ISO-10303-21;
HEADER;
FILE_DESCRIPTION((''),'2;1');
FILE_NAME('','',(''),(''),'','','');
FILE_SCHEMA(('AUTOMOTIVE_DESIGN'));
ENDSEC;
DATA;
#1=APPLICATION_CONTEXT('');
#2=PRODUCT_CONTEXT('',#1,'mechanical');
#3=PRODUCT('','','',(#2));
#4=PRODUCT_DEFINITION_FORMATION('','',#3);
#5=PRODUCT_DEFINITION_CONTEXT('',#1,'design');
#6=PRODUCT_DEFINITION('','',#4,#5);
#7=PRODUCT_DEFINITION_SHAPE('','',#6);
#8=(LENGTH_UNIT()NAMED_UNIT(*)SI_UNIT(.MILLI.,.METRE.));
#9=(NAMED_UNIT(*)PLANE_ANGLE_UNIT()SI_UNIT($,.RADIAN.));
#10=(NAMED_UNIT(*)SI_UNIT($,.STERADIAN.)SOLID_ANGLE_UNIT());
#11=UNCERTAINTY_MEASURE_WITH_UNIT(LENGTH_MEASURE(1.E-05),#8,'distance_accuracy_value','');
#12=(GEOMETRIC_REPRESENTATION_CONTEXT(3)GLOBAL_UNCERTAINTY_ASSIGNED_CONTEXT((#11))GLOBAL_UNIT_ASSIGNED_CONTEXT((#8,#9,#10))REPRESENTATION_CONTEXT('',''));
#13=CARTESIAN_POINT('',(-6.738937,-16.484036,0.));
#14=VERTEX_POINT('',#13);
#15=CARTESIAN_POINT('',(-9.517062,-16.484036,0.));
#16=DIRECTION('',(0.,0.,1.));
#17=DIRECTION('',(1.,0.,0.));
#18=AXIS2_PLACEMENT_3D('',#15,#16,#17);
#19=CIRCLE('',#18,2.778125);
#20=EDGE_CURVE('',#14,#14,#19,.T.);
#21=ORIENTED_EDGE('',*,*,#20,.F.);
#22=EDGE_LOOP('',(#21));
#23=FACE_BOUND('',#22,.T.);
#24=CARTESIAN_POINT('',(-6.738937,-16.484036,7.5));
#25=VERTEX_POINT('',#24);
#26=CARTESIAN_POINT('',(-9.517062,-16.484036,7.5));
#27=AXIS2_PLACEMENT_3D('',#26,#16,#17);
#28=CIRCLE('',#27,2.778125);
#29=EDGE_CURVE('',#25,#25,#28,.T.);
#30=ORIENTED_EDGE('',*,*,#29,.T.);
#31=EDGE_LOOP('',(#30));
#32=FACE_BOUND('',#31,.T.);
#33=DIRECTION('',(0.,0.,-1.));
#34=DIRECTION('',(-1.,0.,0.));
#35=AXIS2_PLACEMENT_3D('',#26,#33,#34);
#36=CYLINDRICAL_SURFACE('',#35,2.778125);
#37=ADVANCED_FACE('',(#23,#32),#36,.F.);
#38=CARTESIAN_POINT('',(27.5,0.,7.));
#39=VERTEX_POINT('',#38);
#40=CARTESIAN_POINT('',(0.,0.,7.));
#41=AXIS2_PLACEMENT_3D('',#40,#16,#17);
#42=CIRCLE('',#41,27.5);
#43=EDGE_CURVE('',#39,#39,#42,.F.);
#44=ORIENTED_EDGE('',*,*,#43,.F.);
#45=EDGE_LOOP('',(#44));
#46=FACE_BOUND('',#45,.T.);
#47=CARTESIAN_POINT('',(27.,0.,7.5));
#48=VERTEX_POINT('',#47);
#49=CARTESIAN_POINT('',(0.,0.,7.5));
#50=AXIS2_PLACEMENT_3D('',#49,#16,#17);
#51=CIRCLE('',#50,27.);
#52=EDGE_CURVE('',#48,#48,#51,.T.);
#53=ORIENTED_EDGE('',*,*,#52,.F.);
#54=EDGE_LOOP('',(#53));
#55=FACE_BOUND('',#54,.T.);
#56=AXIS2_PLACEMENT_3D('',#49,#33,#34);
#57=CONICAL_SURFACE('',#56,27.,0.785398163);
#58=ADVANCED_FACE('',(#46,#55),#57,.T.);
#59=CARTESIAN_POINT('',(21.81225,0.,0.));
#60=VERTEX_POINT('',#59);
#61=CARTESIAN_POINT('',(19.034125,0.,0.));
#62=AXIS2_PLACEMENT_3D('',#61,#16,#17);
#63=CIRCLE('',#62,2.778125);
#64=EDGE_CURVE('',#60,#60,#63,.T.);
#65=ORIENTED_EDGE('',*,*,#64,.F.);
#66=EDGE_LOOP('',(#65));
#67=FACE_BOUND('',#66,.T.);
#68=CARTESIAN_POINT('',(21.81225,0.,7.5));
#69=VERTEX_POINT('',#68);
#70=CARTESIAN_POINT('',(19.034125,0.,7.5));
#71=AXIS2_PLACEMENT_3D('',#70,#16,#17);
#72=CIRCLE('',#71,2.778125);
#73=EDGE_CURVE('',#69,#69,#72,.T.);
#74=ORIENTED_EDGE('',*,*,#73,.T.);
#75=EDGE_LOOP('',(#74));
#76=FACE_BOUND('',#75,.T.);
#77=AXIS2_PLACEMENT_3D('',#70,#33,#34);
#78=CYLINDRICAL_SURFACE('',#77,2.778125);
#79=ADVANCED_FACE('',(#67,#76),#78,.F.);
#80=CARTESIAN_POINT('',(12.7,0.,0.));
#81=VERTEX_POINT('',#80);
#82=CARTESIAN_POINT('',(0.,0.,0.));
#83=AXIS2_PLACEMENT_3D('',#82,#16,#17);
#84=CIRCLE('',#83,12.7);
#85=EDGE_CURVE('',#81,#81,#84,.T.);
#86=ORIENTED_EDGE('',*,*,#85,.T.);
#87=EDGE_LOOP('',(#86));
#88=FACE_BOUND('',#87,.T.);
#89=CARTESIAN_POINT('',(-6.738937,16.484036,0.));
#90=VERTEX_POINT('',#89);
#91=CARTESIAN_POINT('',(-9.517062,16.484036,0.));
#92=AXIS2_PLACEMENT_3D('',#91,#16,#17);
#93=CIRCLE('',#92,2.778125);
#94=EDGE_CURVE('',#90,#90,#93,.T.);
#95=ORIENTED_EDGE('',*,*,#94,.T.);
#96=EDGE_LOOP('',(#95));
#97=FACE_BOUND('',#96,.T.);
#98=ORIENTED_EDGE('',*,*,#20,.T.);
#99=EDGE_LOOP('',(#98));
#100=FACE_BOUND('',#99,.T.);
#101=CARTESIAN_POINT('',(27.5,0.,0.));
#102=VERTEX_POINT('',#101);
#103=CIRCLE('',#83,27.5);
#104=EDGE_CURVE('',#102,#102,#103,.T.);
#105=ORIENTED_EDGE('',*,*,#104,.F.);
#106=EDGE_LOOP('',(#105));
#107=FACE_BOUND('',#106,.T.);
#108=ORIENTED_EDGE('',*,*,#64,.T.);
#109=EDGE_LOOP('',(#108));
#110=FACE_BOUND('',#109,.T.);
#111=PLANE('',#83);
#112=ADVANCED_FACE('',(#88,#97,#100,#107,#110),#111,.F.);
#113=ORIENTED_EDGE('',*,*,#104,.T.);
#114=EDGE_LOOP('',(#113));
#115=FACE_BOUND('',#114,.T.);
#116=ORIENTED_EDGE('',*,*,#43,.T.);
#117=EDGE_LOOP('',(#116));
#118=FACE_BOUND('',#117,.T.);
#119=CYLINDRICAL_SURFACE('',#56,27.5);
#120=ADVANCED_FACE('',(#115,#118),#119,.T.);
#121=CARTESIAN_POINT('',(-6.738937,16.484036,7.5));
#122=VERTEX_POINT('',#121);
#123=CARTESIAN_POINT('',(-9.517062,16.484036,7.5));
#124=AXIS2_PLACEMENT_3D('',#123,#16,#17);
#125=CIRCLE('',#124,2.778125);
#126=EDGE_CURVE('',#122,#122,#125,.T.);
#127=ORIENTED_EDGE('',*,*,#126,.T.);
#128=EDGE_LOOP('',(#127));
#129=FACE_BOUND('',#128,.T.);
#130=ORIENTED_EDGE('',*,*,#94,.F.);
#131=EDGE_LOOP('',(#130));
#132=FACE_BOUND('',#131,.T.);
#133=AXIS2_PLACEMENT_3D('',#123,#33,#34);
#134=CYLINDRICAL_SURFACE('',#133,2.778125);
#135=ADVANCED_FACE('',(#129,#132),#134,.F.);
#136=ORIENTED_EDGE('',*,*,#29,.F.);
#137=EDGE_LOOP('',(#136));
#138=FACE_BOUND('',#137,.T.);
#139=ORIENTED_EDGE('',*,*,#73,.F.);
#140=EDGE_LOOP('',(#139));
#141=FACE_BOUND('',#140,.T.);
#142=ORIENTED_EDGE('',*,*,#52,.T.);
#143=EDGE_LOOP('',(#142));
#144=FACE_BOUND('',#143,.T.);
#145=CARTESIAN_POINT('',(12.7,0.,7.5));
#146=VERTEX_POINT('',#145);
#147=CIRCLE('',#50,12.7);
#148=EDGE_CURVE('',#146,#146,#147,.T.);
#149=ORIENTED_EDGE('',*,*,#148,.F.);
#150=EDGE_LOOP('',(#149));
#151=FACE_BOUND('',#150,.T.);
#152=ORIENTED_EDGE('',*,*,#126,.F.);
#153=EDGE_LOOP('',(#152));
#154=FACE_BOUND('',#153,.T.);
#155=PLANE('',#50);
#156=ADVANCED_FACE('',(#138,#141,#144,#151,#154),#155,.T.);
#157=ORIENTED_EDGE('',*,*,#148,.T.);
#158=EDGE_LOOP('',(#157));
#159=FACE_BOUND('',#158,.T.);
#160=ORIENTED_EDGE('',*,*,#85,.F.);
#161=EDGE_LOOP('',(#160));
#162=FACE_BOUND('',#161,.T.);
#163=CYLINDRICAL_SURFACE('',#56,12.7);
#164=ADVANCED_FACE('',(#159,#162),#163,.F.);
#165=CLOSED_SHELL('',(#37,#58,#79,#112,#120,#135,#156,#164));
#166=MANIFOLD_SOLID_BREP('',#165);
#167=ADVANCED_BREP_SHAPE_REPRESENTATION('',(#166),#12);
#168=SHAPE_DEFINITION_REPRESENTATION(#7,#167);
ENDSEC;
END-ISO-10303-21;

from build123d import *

# Parameters (mm, degrees)
SKETCH1_R           = 27.5
SKETCH1_R_2         = 2.778125
SKETCH1_R_3         = 12.7
BOSS_EXTRUDE1_DEPTH = 7.5
CHAMFER1_SIZE       = 0.5


with BuildPart() as part:
    # Sketch1 → Boss-Extrude1 (new body)
    with BuildSketch(Plane.XY):
        Circle(SKETCH1_R)
        with Locations((-9.5170625, 16.484035789)):
            Circle(SKETCH1_R_2, mode=Mode.SUBTRACT)
        with Locations((19.034125, 0)):
            Circle(SKETCH1_R_2, mode=Mode.SUBTRACT)
        with Locations((-9.5170625, -16.484035789)):
            Circle(SKETCH1_R_2, mode=Mode.SUBTRACT)
        Circle(SKETCH1_R_3, mode=Mode.SUBTRACT)
    extrude(amount=BOSS_EXTRUDE1_DEPTH)

    # Chamfer1
    chamfer1_edges = [part.edges().sort_by_distance(p)[0] for p in [
        (-27.5, 0, 7.5),
    ]]
    chamfer(chamfer1_edges, length=CHAMFER1_SIZE)


solid = part.part
